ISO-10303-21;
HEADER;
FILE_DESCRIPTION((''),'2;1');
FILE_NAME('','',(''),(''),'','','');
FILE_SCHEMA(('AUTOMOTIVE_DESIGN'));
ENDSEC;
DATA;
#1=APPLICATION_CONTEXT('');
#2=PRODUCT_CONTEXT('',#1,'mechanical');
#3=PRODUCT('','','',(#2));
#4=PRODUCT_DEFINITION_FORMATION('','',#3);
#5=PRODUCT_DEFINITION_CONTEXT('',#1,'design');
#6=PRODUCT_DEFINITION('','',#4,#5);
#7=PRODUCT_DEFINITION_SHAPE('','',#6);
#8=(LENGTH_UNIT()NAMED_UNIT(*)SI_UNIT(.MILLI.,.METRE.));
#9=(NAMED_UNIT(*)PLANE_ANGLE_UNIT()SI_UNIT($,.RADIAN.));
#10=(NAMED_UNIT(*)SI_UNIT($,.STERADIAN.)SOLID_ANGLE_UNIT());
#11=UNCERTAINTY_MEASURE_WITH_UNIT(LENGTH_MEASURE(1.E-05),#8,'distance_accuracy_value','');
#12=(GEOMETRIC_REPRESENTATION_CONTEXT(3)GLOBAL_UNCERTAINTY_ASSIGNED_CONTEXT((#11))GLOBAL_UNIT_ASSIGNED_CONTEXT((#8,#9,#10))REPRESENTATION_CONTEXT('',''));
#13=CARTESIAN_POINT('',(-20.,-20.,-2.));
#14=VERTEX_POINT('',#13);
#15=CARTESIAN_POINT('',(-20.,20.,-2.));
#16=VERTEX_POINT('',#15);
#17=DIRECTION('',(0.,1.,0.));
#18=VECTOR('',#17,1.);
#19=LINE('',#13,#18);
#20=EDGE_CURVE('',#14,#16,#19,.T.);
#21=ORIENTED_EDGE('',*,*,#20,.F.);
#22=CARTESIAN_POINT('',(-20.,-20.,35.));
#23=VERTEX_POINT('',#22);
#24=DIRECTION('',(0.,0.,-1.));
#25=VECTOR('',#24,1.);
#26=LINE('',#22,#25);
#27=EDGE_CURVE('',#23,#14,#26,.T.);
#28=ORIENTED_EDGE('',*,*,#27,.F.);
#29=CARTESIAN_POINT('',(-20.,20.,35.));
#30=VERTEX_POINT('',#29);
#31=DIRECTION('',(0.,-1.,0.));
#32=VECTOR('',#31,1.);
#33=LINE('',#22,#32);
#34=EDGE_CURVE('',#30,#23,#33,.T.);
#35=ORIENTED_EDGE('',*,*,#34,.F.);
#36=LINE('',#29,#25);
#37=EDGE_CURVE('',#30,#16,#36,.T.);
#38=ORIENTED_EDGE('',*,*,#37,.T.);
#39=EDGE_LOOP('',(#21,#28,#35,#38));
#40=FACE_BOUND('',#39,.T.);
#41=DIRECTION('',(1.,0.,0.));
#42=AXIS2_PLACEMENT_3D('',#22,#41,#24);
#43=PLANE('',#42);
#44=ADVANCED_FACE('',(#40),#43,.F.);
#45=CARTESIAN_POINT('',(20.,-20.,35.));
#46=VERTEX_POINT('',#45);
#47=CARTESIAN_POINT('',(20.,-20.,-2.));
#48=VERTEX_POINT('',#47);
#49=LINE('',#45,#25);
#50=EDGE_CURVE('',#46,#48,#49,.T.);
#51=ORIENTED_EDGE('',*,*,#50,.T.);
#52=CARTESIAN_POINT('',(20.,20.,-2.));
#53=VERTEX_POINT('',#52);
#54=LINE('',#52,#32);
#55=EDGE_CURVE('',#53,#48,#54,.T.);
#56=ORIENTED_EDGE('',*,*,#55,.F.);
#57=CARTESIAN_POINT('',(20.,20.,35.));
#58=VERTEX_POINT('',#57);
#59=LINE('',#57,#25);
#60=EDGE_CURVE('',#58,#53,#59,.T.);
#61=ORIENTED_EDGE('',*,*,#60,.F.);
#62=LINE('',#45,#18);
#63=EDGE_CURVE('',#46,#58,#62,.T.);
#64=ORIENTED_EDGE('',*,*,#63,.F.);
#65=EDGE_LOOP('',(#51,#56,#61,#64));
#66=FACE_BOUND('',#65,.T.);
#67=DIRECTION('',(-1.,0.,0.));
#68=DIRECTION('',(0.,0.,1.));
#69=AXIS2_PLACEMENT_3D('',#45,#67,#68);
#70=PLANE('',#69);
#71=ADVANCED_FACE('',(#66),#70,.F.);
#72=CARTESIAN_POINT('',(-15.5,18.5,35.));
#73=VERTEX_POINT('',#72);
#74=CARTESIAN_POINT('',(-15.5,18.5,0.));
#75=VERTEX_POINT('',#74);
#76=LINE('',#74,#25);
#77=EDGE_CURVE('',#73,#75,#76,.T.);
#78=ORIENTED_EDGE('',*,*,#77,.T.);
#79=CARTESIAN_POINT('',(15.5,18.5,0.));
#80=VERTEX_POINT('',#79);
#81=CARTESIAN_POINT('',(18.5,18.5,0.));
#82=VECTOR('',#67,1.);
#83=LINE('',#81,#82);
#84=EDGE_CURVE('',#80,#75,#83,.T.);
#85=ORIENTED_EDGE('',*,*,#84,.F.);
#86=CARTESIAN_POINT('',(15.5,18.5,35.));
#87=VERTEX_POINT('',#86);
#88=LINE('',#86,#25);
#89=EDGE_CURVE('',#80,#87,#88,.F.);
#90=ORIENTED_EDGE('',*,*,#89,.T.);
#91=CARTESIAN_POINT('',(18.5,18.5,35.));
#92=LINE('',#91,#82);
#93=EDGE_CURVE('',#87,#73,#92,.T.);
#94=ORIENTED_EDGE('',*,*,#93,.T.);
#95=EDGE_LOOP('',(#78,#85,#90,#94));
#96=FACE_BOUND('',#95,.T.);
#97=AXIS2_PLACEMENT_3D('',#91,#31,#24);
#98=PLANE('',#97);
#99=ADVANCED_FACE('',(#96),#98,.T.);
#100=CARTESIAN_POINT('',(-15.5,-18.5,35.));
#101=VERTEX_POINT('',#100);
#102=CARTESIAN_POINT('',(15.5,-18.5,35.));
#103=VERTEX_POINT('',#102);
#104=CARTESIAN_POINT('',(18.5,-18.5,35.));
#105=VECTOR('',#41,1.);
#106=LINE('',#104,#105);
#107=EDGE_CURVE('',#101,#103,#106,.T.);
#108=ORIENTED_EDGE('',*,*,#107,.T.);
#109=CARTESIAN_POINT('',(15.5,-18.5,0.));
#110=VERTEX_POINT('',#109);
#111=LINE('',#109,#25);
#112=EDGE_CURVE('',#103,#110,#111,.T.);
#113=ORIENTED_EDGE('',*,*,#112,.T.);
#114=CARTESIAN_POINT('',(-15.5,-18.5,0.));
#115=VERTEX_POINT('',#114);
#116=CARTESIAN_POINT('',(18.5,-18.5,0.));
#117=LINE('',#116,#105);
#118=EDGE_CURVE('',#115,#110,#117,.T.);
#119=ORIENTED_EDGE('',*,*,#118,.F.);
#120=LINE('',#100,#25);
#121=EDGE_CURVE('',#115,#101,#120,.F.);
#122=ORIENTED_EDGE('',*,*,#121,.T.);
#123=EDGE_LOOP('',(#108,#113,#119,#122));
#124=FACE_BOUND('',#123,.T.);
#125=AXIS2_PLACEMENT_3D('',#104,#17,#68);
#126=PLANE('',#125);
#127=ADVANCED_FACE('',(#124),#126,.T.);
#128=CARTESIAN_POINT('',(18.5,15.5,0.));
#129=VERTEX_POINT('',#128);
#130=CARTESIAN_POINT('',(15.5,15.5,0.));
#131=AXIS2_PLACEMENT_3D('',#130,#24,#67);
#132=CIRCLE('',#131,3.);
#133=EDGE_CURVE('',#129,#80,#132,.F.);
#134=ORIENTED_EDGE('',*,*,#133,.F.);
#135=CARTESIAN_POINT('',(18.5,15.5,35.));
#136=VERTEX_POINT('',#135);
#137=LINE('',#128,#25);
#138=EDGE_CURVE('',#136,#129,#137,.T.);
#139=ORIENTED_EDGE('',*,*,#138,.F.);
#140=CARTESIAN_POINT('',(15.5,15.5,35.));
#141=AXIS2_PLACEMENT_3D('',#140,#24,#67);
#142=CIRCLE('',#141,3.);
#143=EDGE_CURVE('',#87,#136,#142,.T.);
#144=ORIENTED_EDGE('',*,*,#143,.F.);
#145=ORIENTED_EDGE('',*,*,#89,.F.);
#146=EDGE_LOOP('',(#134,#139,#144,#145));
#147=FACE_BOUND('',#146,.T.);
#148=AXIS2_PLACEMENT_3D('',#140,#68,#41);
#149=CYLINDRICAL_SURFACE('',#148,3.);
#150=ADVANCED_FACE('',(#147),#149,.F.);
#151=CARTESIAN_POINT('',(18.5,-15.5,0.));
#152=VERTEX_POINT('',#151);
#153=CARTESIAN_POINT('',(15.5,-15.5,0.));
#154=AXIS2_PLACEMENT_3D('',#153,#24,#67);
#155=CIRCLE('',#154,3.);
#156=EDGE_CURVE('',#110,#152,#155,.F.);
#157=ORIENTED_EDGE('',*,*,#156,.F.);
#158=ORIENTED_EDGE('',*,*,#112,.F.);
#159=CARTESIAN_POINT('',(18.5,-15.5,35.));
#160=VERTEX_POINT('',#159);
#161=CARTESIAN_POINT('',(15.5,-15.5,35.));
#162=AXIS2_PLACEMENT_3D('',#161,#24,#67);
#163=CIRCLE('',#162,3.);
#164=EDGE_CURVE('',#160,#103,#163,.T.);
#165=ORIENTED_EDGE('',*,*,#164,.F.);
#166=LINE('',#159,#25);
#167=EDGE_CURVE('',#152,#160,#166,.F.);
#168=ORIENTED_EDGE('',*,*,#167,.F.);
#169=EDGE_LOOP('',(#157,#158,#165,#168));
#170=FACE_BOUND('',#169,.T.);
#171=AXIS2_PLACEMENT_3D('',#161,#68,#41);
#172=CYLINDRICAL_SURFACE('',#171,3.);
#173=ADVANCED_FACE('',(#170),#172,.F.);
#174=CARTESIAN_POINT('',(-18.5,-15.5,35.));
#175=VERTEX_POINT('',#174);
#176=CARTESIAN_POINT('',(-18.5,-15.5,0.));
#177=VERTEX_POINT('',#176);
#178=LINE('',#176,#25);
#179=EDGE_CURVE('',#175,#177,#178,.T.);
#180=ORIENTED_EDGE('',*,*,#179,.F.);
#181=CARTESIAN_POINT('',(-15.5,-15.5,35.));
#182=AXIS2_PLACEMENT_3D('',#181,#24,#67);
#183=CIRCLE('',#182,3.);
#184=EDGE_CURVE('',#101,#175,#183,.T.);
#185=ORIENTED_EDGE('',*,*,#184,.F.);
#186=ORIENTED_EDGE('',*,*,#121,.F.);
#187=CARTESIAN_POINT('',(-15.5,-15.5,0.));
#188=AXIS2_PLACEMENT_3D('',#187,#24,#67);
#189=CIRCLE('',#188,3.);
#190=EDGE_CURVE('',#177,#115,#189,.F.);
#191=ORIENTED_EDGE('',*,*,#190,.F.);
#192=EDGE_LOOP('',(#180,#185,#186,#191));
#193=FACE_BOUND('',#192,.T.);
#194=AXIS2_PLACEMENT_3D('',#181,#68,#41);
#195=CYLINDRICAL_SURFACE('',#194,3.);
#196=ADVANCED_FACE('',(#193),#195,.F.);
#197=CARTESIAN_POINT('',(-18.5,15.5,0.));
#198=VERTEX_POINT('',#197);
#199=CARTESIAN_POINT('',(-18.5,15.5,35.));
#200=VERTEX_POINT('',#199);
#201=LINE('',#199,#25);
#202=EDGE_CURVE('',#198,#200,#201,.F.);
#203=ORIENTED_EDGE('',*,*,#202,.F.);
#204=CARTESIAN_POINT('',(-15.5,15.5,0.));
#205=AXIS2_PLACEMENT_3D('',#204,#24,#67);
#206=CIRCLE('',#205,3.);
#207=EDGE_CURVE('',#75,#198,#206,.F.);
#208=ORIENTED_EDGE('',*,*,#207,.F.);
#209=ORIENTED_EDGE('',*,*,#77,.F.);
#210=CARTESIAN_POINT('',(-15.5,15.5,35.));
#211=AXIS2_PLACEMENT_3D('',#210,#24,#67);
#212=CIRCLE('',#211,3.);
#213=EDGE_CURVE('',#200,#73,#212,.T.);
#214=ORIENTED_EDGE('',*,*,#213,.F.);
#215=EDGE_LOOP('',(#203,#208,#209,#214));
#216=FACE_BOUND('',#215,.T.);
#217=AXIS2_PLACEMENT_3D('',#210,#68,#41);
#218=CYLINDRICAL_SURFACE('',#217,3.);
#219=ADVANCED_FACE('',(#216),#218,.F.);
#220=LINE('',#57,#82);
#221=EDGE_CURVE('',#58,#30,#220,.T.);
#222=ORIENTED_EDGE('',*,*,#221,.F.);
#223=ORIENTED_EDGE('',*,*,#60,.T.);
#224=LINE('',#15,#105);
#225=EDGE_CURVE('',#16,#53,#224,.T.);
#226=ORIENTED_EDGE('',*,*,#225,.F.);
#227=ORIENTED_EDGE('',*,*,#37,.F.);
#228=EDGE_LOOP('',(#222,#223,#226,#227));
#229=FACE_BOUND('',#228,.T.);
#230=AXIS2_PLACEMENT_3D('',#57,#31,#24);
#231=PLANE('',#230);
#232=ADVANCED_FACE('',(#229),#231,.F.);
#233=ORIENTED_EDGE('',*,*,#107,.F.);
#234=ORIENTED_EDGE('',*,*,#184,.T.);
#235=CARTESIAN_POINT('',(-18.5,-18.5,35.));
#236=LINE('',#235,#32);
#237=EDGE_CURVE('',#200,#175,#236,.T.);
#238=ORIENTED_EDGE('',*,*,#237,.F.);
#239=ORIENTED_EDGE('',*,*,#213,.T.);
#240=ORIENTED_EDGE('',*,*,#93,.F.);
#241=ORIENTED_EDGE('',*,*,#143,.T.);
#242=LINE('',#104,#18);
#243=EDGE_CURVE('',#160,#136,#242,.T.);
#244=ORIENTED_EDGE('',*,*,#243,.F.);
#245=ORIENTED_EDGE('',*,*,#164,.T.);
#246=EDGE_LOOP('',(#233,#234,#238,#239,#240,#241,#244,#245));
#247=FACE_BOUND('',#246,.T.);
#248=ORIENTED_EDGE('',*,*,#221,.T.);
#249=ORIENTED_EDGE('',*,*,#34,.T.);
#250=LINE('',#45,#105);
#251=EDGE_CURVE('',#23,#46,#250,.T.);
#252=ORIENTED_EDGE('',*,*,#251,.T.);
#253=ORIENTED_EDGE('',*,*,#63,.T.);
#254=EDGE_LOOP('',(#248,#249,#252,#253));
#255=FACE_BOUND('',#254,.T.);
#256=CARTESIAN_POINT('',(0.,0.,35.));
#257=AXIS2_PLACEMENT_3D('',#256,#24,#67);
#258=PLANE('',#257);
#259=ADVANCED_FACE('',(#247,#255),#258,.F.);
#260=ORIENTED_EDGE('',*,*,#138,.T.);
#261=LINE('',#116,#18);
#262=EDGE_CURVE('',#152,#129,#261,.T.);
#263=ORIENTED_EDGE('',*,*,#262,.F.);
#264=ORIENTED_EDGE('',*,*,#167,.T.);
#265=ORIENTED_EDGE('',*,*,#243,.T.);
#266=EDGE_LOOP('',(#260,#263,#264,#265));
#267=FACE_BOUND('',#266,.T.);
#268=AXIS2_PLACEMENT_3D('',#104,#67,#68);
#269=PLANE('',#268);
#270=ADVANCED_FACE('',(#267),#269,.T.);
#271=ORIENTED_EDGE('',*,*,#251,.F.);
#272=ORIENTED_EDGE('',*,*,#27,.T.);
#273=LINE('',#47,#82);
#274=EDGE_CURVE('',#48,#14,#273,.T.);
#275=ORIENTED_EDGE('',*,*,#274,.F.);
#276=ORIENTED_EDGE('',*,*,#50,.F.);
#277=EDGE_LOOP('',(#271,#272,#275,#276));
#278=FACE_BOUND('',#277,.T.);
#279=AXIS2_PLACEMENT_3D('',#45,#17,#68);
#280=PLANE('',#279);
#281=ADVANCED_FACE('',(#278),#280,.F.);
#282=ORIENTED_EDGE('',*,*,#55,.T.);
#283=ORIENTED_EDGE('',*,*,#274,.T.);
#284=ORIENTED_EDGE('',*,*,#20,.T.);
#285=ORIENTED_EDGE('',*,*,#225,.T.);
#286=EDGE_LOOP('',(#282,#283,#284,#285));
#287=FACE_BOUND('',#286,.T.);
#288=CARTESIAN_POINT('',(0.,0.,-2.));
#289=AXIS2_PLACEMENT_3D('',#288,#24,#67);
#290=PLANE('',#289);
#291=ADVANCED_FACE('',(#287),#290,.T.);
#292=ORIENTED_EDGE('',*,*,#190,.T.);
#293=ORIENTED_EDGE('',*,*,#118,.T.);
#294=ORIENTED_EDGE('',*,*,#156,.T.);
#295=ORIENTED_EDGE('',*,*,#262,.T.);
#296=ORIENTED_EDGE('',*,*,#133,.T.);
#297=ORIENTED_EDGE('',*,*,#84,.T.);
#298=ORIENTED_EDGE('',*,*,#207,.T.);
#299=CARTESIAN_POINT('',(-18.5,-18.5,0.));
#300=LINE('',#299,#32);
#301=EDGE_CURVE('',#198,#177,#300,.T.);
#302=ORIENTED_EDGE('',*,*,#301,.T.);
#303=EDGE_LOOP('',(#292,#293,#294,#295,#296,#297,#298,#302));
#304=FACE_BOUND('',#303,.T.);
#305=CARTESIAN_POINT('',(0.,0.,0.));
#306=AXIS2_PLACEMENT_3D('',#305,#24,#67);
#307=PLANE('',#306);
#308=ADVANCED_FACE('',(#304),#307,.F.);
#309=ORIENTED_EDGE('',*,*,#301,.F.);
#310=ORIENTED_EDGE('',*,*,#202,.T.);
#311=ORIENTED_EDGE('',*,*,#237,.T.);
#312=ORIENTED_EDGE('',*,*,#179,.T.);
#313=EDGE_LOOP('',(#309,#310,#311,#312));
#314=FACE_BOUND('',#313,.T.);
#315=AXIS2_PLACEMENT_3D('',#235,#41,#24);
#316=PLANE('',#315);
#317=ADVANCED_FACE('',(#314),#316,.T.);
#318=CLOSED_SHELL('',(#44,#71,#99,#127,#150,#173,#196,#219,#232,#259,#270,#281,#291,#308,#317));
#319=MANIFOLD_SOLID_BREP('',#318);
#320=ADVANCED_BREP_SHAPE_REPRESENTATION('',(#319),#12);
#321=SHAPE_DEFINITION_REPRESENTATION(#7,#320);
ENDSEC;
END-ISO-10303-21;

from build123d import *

# Parameters (mm, degrees)
SKETCH1_W           = 40
SKETCH1_H           = 40
SKETCH1_W_2         = 37
SKETCH1_H_2         = 37
BOSS_EXTRUDE1_DEPTH = 35
SKETCH2_W           = 40
SKETCH2_H           = 40
BOSS_EXTRUDE2_DEPTH = 2
FILLET1_R           = 3


with BuildPart() as part:
    # Sketch1 → Boss-Extrude1 (new body)
    with BuildSketch(Plane(origin=(0, 0, 0), x_dir=(0, 1, 0), z_dir=(0, 0, 1))):
        Rectangle(SKETCH1_W, SKETCH1_H)
        Rectangle(SKETCH1_W_2, SKETCH1_H_2, mode=Mode.SUBTRACT)
    extrude(amount=BOSS_EXTRUDE1_DEPTH)

    # Sketch2 → Boss-Extrude2 (add)
    with BuildSketch(Plane(origin=(0, 0, 0), x_dir=(1, 0, 0), z_dir=(0, 0, -1))):
        Rectangle(SKETCH2_W, SKETCH2_H)
    extrude(amount=BOSS_EXTRUDE2_DEPTH)

    # Fillet1
    fillet1_edges = [part.edges().sort_by_distance(p)[0] for p in [
        (18.5, 18.5, 17.5),
        (-18.5, 18.5, 17.5),
        (-18.5, -18.5, 17.5),
        (18.5, -18.5, 17.5),
    ]]
    fillet(fillet1_edges, radius=FILLET1_R)


solid = part.part
